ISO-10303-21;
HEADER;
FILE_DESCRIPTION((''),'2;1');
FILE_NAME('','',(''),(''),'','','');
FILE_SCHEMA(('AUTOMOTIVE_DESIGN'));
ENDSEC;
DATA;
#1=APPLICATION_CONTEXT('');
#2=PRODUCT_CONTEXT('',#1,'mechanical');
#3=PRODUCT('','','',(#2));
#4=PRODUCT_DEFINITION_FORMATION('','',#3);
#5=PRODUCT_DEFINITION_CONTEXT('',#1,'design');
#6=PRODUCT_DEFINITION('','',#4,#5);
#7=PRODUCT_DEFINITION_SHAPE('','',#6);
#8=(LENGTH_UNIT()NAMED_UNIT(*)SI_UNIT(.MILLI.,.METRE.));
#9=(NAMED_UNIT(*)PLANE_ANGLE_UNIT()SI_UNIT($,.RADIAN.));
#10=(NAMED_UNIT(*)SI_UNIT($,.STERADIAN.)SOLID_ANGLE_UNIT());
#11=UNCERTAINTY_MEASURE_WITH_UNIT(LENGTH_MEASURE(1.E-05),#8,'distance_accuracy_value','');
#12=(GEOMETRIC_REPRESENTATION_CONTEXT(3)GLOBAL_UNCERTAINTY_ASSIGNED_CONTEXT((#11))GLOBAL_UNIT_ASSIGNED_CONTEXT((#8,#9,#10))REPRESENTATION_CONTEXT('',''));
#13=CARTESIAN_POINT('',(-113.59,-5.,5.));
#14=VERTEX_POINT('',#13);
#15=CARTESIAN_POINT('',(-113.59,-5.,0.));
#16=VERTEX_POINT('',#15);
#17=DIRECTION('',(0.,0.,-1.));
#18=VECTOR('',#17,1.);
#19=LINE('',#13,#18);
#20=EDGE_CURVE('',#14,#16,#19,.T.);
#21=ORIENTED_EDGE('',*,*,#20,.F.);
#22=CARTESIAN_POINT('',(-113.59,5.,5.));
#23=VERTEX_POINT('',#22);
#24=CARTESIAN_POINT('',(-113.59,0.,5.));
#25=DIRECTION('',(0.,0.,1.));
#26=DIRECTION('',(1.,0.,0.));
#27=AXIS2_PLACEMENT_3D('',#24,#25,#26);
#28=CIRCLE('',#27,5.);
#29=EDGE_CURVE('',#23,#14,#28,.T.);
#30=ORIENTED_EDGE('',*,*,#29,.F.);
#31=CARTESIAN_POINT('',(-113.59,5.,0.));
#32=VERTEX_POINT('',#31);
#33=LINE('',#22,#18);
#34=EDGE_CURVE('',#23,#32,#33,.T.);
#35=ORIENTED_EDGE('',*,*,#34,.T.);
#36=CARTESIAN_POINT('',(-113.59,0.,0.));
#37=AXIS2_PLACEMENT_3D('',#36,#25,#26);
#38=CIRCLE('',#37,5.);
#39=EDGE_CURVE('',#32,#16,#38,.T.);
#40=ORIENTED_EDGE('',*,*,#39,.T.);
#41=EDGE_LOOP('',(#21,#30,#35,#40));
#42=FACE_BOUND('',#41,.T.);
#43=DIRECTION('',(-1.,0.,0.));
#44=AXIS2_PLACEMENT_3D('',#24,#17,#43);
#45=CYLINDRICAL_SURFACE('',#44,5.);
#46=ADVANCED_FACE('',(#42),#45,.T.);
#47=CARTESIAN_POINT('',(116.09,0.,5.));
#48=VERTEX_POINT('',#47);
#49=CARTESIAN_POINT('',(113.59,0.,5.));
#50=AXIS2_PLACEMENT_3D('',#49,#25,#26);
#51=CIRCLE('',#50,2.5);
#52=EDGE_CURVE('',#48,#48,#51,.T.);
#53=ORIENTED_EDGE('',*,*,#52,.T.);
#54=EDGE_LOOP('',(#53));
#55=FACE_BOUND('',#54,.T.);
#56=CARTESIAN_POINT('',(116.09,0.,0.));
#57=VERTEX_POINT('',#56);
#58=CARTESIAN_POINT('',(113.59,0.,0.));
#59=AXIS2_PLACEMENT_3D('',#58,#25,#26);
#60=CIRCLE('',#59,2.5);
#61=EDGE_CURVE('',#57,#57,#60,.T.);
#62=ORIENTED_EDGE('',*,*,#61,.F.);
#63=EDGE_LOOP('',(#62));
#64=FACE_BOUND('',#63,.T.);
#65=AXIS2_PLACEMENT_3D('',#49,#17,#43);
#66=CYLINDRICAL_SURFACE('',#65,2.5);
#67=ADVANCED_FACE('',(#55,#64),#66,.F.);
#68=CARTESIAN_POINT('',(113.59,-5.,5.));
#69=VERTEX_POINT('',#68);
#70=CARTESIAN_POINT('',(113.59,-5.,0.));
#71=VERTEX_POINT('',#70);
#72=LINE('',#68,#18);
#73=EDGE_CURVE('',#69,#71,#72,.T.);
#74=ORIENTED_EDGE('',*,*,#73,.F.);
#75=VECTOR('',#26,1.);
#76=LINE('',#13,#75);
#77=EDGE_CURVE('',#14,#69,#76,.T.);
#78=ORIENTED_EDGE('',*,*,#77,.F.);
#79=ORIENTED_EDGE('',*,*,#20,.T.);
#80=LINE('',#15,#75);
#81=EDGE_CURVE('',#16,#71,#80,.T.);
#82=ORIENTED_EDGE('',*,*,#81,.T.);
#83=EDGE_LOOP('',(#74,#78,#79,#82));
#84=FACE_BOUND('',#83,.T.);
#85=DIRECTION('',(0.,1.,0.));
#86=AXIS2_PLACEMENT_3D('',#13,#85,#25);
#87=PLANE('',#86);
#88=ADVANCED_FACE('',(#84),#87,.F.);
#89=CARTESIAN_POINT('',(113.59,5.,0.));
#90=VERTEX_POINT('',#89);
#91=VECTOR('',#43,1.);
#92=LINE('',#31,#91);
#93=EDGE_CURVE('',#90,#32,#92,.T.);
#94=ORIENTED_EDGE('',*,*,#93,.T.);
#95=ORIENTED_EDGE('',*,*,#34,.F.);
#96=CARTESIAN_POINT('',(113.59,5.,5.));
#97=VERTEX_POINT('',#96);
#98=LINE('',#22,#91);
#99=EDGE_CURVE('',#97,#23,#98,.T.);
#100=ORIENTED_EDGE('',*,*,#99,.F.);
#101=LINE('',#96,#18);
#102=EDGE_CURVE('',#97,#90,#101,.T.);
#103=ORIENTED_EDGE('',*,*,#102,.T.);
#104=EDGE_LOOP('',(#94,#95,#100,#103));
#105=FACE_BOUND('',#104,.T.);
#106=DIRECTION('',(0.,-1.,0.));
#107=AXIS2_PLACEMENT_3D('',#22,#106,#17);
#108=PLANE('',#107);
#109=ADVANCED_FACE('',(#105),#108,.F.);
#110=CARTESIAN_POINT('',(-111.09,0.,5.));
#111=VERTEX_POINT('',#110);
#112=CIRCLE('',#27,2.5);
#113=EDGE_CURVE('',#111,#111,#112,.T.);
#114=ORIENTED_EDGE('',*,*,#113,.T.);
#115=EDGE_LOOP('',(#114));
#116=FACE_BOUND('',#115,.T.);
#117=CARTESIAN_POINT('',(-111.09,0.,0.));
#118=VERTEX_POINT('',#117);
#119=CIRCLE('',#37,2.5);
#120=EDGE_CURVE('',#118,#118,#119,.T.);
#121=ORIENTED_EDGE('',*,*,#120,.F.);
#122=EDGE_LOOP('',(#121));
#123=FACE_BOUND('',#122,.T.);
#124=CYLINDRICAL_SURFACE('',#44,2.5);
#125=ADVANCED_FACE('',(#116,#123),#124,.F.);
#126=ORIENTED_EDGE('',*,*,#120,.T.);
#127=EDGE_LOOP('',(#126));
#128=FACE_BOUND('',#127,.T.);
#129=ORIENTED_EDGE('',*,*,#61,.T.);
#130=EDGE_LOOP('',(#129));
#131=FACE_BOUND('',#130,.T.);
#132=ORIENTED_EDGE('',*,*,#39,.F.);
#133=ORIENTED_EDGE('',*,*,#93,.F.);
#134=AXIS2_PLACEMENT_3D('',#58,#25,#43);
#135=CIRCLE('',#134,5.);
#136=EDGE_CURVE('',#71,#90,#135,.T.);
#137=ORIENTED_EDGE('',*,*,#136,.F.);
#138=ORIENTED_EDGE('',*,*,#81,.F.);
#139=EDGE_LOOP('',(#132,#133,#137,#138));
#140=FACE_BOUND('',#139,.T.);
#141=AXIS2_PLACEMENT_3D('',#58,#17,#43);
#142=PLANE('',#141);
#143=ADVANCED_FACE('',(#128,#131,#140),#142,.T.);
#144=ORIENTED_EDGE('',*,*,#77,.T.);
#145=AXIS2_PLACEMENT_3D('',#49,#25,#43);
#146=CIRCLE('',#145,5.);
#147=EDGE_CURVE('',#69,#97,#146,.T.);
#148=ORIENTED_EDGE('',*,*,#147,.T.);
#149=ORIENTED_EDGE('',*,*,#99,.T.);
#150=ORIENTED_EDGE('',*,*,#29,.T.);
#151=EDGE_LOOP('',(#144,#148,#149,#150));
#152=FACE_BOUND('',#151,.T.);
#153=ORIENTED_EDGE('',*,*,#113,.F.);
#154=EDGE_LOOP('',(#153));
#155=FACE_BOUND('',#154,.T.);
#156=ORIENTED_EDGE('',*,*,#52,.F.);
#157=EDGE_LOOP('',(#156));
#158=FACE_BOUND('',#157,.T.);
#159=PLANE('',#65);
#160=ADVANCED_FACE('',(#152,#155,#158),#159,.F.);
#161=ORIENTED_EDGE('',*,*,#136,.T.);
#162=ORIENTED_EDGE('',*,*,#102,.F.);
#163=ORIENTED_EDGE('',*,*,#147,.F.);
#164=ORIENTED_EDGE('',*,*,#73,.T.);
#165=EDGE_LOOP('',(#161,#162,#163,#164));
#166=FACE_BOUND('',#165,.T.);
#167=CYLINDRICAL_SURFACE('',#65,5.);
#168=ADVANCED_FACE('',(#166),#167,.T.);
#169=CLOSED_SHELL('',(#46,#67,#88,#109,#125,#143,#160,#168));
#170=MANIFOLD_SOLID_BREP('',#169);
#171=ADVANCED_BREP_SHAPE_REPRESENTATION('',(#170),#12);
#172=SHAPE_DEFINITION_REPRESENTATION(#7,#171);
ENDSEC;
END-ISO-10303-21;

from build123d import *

# Parameters (mm, degrees)
ESBO_O1_R                = 2.5
RESSALTO_EXTRUS_O1_DEPTH = 5


with BuildPart() as part:
    # Esboço1 → Ressalto-extrusão1 (new body)
    with BuildSketch(Plane.XY):
        with BuildLine():
            Line((-113.59, 5), (113.59, 5))
            ThreePointArc((113.59, 5), (118.59, 0), (113.59, -5))
            Line((113.59, -5), (-113.59, -5))
            ThreePointArc((-113.59, -5), (-118.59, 0), (-113.59, 5))
        make_face()
        with Locations((113.59, 0)):
            Circle(ESBO_O1_R, mode=Mode.SUBTRACT)
        with Locations((-113.59, 0)):
            Circle(ESBO_O1_R, mode=Mode.SUBTRACT)
    extrude(amount=RESSALTO_EXTRUS_O1_DEPTH)


solid = part.part
